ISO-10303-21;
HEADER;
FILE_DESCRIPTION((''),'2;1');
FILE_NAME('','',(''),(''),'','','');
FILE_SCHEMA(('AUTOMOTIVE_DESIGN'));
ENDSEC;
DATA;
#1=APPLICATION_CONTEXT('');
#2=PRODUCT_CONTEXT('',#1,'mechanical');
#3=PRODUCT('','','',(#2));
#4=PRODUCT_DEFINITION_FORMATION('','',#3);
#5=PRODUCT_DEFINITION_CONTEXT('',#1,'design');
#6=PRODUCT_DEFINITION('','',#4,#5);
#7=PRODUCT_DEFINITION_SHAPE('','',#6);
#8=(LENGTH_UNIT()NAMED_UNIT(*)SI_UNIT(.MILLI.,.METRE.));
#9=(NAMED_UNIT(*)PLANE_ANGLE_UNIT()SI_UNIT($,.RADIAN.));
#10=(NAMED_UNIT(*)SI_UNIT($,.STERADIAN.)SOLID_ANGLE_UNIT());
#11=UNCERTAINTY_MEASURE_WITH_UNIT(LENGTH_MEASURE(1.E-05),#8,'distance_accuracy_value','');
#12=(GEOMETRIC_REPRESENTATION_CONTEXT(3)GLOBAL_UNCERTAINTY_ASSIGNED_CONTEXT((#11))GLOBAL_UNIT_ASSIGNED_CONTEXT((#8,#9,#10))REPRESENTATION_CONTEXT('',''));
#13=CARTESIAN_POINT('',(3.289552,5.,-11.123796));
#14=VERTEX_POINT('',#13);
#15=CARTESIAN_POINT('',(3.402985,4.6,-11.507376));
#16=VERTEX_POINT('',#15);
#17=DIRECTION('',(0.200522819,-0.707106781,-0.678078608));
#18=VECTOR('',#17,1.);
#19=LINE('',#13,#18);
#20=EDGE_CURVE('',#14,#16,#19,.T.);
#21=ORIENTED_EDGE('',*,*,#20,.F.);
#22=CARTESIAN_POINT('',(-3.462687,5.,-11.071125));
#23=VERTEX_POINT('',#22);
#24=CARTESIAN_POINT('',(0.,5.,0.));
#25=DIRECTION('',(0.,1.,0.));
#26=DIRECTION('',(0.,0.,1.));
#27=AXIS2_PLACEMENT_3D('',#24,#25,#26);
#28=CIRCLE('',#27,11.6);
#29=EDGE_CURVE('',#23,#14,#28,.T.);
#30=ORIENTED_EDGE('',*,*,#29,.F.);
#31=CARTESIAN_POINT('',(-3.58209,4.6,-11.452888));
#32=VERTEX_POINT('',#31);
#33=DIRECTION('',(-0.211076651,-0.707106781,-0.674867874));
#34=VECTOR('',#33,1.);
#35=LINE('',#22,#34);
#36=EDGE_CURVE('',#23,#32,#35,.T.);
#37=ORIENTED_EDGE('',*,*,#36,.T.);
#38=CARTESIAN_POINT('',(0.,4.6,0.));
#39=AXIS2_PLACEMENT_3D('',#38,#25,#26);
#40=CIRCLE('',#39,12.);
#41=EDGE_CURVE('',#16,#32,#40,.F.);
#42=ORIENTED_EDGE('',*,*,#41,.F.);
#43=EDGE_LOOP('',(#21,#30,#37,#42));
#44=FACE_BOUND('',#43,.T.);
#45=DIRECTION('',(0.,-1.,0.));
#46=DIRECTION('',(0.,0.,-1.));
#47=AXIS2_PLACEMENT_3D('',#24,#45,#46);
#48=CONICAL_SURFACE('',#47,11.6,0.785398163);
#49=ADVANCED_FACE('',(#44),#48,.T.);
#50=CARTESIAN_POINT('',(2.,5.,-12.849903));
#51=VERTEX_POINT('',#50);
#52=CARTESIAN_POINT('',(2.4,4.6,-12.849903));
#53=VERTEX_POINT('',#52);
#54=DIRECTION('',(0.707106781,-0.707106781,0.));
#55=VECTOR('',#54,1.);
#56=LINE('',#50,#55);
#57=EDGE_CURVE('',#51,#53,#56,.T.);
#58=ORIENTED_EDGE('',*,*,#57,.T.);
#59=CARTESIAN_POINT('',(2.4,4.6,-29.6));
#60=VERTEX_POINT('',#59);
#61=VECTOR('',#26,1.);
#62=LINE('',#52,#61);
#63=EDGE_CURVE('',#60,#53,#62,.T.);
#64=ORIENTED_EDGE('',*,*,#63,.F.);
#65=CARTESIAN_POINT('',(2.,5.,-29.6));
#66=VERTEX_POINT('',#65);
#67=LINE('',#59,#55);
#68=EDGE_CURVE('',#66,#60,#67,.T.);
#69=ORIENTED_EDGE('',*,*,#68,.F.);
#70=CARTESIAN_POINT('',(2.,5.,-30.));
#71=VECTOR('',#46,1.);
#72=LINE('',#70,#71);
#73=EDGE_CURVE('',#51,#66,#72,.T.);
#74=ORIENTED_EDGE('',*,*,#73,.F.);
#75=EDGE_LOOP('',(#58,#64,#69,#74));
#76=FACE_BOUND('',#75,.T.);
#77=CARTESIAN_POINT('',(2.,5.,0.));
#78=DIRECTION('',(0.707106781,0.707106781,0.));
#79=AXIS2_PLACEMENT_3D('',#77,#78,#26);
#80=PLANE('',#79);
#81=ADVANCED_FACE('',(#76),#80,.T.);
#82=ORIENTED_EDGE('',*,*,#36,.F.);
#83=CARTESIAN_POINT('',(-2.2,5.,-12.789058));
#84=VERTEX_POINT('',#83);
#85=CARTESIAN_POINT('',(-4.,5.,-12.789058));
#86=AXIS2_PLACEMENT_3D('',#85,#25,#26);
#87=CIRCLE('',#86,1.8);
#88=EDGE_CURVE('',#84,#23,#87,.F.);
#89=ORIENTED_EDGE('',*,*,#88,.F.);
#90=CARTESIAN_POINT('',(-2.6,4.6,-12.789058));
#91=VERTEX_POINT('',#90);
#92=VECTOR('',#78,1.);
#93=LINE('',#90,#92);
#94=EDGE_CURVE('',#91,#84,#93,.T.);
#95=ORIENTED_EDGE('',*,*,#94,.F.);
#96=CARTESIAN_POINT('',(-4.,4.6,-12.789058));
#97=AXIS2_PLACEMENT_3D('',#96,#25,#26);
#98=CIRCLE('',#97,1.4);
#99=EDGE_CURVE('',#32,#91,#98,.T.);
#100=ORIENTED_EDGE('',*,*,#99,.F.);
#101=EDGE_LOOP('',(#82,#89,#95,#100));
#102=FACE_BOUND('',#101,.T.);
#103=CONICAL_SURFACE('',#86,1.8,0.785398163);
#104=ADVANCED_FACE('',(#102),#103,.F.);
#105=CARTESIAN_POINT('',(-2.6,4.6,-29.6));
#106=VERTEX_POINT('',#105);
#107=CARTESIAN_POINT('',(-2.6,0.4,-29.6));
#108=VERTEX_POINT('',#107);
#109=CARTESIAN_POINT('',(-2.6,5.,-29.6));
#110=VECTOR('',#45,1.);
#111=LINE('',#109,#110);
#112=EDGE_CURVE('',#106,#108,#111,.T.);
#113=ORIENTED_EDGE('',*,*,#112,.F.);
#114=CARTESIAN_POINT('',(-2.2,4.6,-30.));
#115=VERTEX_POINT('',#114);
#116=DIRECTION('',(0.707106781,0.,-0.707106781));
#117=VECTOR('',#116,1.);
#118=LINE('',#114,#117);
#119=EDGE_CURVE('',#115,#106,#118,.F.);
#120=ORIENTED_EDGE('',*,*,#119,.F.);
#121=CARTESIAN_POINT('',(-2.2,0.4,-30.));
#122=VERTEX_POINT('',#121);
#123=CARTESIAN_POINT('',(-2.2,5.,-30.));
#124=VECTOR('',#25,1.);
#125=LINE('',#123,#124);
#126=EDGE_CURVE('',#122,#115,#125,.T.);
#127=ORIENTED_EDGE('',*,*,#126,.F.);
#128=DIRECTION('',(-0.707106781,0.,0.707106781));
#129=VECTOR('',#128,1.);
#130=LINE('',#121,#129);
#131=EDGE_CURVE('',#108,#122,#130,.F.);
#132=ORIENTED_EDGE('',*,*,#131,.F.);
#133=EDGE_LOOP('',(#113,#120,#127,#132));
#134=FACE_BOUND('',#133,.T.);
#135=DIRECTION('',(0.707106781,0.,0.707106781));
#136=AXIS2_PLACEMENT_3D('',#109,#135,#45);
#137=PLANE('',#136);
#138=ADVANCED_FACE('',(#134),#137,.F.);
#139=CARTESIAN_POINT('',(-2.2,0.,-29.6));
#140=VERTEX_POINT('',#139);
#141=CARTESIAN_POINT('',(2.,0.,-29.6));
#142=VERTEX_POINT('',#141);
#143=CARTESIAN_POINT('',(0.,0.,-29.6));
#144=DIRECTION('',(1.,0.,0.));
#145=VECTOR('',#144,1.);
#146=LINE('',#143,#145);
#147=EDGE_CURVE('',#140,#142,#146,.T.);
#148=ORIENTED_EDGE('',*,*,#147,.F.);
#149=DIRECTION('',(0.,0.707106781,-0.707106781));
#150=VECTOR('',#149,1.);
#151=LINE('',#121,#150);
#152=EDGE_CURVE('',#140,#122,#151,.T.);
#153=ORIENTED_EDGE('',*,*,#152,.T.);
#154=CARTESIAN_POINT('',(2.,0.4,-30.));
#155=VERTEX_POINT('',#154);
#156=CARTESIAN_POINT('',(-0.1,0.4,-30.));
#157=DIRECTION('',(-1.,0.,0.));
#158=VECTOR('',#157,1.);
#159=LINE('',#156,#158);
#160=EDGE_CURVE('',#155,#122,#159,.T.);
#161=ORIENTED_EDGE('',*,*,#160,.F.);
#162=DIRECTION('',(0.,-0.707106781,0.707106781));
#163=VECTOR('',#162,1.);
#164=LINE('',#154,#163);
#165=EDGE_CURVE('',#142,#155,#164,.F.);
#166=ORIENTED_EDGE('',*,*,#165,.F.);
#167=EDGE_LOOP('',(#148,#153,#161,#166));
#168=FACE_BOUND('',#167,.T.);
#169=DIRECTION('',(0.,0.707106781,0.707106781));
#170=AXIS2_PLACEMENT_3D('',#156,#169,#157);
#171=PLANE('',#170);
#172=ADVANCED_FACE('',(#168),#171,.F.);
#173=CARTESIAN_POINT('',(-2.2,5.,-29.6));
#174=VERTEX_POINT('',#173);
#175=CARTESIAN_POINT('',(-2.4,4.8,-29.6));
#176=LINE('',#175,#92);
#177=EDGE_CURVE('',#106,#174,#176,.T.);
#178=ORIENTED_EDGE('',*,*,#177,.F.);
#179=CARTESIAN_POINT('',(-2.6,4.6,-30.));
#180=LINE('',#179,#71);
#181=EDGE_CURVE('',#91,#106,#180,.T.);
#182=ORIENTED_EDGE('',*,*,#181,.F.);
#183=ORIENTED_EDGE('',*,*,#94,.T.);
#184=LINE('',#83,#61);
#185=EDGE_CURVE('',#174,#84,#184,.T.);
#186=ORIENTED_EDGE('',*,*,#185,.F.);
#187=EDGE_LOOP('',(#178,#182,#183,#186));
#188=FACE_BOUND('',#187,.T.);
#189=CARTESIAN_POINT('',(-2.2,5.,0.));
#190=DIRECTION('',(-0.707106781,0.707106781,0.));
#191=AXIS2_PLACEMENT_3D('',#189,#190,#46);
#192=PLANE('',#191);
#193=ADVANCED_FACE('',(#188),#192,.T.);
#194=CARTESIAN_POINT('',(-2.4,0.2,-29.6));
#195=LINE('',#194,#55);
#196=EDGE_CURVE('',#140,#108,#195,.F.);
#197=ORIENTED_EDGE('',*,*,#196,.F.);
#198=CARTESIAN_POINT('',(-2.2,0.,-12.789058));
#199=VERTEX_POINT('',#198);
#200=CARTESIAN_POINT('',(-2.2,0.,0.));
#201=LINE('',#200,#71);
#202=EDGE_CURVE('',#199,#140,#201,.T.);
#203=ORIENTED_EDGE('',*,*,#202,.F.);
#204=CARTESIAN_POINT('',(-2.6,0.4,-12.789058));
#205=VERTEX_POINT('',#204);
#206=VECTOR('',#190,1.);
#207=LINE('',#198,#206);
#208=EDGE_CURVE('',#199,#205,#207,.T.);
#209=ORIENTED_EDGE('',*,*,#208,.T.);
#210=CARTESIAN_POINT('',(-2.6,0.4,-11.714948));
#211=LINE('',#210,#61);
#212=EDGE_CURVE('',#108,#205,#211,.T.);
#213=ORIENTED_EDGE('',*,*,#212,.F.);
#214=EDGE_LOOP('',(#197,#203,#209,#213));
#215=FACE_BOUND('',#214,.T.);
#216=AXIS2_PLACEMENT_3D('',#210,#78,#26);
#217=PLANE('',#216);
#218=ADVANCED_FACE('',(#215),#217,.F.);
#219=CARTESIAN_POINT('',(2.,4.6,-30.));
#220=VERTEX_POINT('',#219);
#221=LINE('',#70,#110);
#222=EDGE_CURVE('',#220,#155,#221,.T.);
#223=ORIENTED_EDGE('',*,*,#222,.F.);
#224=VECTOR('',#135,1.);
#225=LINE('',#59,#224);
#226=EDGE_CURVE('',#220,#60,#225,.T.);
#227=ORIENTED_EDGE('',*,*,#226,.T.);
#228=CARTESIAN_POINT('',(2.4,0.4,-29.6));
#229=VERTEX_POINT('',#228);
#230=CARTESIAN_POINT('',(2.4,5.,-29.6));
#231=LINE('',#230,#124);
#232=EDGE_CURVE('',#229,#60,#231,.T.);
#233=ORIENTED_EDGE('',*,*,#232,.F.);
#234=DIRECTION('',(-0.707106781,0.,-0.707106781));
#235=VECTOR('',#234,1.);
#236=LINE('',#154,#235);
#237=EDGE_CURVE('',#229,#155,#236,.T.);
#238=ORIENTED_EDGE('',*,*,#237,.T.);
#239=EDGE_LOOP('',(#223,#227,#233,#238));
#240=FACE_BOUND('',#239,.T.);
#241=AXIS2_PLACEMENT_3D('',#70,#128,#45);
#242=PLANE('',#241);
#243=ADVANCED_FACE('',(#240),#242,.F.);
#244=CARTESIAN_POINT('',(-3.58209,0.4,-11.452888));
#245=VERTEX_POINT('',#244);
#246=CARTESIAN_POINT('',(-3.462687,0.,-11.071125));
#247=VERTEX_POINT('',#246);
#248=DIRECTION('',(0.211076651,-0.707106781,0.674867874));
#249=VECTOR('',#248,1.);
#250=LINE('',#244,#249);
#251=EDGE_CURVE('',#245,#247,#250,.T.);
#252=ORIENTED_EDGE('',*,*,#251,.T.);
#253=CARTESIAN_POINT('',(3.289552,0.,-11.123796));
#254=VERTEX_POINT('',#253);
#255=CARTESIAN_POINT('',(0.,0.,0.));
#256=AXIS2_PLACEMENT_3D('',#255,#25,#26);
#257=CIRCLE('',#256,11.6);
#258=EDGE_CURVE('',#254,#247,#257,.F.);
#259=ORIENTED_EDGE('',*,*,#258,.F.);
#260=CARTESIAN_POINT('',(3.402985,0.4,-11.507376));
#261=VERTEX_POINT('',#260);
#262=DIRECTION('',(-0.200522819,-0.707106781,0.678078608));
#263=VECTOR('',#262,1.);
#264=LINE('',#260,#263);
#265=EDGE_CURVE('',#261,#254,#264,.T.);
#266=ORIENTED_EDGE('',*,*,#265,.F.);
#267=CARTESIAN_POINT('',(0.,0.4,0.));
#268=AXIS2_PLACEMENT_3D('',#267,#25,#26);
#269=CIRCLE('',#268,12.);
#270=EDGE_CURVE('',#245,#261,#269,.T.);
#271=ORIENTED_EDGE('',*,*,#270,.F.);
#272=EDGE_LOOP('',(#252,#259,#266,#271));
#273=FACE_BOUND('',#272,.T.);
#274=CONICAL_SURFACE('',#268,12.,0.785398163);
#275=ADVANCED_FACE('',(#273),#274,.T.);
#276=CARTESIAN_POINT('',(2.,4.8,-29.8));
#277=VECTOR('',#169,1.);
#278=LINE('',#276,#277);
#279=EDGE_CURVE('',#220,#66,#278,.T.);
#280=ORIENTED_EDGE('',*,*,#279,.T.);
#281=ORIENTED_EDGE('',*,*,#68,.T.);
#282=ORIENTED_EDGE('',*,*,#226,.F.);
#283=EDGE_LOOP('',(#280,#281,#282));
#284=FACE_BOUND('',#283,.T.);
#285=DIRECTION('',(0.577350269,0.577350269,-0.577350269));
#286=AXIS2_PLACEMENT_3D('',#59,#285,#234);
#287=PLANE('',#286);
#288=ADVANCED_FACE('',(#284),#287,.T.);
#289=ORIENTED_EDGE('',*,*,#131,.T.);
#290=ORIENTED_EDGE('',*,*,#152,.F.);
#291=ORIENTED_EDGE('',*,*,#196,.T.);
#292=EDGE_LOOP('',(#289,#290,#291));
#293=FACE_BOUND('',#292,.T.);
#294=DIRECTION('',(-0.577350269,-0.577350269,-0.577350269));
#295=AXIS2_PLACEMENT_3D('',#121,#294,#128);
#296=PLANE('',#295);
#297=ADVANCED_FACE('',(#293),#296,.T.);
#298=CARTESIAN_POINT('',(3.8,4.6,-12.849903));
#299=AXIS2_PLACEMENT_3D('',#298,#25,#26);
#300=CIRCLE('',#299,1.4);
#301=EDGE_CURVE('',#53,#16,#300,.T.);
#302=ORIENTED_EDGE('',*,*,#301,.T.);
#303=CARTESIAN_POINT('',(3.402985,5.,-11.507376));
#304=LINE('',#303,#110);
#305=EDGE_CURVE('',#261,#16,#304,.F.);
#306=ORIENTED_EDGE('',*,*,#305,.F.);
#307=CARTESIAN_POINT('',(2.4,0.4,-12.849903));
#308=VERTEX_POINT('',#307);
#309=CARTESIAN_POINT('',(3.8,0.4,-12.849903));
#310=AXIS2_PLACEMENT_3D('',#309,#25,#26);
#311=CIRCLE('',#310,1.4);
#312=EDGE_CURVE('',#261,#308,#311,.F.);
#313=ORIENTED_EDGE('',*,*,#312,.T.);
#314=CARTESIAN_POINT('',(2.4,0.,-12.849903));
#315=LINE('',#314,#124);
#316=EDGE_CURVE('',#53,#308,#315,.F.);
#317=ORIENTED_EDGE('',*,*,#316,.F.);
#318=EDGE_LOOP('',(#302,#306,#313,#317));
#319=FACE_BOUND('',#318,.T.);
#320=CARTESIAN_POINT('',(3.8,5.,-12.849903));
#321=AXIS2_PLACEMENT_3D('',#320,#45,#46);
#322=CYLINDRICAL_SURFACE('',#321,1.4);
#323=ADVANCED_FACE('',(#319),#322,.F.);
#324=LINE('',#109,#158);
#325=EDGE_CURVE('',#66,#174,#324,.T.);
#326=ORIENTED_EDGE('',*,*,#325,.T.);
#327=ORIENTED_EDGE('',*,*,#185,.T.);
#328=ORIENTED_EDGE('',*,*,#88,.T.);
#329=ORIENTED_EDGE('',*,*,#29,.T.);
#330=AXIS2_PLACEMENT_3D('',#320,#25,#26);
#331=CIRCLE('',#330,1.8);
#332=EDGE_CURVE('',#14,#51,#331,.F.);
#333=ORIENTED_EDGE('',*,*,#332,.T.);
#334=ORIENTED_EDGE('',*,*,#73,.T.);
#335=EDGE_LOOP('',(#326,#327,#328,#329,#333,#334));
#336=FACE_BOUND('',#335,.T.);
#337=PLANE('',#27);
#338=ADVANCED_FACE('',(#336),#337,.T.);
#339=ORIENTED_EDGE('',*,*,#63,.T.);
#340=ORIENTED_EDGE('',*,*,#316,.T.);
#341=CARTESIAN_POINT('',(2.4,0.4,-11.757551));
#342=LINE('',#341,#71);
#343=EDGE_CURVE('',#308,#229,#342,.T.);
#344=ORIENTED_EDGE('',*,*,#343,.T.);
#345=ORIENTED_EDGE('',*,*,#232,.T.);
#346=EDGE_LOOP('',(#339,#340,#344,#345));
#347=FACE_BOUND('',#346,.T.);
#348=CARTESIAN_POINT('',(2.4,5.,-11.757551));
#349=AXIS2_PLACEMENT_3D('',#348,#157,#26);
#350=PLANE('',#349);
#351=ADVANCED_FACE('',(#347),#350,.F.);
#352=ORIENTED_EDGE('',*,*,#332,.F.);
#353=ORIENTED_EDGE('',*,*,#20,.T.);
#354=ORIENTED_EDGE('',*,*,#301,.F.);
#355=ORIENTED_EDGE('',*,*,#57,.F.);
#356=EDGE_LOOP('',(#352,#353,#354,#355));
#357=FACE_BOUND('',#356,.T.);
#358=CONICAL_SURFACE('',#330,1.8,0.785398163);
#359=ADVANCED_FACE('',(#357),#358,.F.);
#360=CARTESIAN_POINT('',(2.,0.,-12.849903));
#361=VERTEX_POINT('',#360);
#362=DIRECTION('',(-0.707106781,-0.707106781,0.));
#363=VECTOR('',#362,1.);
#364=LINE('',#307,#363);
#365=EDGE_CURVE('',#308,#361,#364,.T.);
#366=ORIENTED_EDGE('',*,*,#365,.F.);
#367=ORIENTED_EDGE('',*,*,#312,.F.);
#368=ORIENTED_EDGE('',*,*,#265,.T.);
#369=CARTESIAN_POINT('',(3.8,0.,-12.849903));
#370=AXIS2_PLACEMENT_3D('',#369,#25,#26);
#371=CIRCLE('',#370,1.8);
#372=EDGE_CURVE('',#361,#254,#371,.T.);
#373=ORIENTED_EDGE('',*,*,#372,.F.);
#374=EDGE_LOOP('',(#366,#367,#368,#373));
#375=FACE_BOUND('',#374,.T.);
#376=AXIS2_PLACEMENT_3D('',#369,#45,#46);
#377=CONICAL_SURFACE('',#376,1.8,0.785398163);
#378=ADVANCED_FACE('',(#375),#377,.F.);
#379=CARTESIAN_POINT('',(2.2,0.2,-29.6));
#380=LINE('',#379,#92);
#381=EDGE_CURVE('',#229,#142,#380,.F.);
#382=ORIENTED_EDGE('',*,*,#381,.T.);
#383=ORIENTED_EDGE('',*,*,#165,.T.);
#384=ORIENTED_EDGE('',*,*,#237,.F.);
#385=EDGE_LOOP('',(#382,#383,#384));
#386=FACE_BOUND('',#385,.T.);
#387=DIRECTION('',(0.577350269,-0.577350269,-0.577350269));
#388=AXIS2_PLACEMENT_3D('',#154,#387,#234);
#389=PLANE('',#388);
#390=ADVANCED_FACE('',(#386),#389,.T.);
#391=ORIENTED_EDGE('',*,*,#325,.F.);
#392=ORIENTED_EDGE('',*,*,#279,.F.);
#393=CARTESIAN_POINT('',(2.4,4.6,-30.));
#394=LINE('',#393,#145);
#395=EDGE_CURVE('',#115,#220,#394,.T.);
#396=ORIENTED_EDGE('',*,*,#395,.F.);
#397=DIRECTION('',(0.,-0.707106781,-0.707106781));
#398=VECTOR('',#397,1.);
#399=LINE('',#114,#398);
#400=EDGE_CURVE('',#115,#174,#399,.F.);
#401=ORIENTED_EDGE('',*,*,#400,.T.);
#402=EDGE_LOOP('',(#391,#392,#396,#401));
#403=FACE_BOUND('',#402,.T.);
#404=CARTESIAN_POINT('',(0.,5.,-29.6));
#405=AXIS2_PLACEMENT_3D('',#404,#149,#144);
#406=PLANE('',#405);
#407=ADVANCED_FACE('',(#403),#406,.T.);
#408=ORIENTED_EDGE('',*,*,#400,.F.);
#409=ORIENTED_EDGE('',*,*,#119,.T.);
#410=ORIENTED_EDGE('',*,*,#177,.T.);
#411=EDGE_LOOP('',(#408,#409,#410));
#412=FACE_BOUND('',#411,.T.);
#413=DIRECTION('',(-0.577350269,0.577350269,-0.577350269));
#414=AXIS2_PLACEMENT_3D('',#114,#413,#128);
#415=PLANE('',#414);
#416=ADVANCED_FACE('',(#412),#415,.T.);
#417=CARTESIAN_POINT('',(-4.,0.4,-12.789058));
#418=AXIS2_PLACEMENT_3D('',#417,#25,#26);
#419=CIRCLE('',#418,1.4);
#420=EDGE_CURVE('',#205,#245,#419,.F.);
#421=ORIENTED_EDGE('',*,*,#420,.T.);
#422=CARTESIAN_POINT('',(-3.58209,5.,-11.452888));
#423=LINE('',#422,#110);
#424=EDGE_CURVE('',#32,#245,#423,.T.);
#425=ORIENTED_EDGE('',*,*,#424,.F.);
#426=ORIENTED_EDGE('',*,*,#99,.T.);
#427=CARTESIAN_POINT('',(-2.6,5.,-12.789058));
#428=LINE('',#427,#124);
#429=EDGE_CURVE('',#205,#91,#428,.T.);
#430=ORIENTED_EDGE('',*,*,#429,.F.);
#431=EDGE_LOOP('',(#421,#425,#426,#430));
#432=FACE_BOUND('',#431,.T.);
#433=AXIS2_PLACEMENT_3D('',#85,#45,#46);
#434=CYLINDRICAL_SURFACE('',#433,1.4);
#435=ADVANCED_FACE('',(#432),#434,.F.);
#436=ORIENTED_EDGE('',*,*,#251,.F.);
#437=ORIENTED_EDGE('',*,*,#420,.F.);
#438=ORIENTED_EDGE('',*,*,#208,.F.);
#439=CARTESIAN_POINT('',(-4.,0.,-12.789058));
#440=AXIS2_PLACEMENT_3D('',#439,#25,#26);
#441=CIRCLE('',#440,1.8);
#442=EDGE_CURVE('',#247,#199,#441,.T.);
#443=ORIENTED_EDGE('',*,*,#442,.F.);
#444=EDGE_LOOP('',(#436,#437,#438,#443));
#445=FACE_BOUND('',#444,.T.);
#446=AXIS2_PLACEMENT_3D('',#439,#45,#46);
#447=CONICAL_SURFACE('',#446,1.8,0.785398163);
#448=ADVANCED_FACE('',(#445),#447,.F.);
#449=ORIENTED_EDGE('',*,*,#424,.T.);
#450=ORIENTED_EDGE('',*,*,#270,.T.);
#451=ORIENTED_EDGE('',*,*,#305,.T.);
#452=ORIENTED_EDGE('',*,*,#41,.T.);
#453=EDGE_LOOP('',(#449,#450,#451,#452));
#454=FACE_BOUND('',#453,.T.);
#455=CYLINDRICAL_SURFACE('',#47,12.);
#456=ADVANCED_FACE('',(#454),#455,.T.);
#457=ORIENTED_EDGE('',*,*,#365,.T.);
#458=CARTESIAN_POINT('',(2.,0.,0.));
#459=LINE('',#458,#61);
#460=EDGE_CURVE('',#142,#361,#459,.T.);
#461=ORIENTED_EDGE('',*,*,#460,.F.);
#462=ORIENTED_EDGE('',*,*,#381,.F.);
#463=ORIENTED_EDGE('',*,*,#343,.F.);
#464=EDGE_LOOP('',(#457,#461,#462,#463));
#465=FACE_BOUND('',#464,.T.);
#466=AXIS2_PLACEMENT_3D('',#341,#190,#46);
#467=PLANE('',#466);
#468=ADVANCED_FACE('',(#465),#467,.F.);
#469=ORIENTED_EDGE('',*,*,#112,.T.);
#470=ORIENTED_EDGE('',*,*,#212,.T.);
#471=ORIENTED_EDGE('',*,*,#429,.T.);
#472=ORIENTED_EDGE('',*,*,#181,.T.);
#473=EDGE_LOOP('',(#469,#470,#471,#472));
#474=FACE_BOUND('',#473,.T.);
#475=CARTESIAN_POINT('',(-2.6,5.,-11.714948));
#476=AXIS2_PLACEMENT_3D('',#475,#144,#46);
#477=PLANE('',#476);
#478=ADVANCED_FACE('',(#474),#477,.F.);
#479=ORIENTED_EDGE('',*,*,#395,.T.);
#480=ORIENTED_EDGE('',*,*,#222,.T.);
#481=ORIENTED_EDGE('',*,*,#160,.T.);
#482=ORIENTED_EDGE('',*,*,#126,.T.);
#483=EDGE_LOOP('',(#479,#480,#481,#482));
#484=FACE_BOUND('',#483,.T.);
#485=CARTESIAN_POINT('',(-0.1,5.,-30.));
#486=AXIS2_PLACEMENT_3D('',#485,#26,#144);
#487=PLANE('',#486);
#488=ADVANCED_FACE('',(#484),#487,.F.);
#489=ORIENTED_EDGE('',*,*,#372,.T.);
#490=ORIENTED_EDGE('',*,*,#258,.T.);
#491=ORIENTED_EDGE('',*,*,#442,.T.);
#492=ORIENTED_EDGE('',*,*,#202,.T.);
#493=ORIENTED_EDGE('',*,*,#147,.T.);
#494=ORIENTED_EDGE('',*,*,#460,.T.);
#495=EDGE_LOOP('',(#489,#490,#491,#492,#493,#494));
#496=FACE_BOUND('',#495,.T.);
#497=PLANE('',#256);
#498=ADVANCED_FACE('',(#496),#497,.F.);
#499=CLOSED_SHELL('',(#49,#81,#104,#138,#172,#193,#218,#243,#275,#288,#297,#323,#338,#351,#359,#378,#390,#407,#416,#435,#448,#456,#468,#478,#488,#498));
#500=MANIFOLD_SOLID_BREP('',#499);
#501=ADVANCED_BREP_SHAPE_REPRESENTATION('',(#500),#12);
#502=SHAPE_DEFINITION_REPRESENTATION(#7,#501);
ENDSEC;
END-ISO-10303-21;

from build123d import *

# Parameters (mm, degrees)
EXTRUDE_1_DEPTH = 5
FILLET_1_R      = 1.4
CHAMFER_1_SIZE  = 0.4


with BuildPart() as part:
    # 草图1 → 凸台-拉伸1 (new body)
    with BuildSketch(Plane(origin=(0, 0, 0), x_dir=(1, 0, 0), z_dir=(0, 1, 0))):
        with BuildLine():
            Line((-0.1, 30), (-2.6, 30))
            Line((-2.6, 30), (-2.6, 11.714947716))
            ThreePointArc((-2.6, 11.714947716), (0.102243606, -11.999564419), (2.4, 11.757550765))
            Line((2.4, 11.757550765), (2.4, 30))
            Line((2.4, 30), (-0.1, 30))
        make_face()
    extrude(amount=EXTRUDE_1_DEPTH)

    # 圆角1
    fillet_1_edges = [part.edges().sort_by_distance(p)[0] for p in [
        (-2.6, 2.5, -11.714947716),
        (2.4, 2.5, -11.757550765),
    ]]
    fillet(fillet_1_edges, radius=FILLET_1_R)

    # 倒角1
    chamfer_1_edges = [part.edges().sort_by_distance(p)[0] for p in [
        (-0.1, 5, -30),
        (2.4, 0, -21.424951362),
        (2.4, 5, -21.424951362),
        (0.093604691, 0, 11.999634918),
        (0.093604691, 5, 11.999634918),
        (-2.6, 5, -21.394528911),
        (2.678433931, 0, -12.011994881),
        (2.678433931, 5, -12.011994881),
        (-2.871932044, 0, -11.959924127),
        (-2.871932044, 5, -11.959924127),
        (-2.6, 0, -21.394528911),
        (-0.1, 0, -30),
        (-2.6, 2.5, -30),
        (2.4, 2.5, -30),
    ]]
    chamfer(chamfer_1_edges, length=CHAMFER_1_SIZE)


solid = part.part
